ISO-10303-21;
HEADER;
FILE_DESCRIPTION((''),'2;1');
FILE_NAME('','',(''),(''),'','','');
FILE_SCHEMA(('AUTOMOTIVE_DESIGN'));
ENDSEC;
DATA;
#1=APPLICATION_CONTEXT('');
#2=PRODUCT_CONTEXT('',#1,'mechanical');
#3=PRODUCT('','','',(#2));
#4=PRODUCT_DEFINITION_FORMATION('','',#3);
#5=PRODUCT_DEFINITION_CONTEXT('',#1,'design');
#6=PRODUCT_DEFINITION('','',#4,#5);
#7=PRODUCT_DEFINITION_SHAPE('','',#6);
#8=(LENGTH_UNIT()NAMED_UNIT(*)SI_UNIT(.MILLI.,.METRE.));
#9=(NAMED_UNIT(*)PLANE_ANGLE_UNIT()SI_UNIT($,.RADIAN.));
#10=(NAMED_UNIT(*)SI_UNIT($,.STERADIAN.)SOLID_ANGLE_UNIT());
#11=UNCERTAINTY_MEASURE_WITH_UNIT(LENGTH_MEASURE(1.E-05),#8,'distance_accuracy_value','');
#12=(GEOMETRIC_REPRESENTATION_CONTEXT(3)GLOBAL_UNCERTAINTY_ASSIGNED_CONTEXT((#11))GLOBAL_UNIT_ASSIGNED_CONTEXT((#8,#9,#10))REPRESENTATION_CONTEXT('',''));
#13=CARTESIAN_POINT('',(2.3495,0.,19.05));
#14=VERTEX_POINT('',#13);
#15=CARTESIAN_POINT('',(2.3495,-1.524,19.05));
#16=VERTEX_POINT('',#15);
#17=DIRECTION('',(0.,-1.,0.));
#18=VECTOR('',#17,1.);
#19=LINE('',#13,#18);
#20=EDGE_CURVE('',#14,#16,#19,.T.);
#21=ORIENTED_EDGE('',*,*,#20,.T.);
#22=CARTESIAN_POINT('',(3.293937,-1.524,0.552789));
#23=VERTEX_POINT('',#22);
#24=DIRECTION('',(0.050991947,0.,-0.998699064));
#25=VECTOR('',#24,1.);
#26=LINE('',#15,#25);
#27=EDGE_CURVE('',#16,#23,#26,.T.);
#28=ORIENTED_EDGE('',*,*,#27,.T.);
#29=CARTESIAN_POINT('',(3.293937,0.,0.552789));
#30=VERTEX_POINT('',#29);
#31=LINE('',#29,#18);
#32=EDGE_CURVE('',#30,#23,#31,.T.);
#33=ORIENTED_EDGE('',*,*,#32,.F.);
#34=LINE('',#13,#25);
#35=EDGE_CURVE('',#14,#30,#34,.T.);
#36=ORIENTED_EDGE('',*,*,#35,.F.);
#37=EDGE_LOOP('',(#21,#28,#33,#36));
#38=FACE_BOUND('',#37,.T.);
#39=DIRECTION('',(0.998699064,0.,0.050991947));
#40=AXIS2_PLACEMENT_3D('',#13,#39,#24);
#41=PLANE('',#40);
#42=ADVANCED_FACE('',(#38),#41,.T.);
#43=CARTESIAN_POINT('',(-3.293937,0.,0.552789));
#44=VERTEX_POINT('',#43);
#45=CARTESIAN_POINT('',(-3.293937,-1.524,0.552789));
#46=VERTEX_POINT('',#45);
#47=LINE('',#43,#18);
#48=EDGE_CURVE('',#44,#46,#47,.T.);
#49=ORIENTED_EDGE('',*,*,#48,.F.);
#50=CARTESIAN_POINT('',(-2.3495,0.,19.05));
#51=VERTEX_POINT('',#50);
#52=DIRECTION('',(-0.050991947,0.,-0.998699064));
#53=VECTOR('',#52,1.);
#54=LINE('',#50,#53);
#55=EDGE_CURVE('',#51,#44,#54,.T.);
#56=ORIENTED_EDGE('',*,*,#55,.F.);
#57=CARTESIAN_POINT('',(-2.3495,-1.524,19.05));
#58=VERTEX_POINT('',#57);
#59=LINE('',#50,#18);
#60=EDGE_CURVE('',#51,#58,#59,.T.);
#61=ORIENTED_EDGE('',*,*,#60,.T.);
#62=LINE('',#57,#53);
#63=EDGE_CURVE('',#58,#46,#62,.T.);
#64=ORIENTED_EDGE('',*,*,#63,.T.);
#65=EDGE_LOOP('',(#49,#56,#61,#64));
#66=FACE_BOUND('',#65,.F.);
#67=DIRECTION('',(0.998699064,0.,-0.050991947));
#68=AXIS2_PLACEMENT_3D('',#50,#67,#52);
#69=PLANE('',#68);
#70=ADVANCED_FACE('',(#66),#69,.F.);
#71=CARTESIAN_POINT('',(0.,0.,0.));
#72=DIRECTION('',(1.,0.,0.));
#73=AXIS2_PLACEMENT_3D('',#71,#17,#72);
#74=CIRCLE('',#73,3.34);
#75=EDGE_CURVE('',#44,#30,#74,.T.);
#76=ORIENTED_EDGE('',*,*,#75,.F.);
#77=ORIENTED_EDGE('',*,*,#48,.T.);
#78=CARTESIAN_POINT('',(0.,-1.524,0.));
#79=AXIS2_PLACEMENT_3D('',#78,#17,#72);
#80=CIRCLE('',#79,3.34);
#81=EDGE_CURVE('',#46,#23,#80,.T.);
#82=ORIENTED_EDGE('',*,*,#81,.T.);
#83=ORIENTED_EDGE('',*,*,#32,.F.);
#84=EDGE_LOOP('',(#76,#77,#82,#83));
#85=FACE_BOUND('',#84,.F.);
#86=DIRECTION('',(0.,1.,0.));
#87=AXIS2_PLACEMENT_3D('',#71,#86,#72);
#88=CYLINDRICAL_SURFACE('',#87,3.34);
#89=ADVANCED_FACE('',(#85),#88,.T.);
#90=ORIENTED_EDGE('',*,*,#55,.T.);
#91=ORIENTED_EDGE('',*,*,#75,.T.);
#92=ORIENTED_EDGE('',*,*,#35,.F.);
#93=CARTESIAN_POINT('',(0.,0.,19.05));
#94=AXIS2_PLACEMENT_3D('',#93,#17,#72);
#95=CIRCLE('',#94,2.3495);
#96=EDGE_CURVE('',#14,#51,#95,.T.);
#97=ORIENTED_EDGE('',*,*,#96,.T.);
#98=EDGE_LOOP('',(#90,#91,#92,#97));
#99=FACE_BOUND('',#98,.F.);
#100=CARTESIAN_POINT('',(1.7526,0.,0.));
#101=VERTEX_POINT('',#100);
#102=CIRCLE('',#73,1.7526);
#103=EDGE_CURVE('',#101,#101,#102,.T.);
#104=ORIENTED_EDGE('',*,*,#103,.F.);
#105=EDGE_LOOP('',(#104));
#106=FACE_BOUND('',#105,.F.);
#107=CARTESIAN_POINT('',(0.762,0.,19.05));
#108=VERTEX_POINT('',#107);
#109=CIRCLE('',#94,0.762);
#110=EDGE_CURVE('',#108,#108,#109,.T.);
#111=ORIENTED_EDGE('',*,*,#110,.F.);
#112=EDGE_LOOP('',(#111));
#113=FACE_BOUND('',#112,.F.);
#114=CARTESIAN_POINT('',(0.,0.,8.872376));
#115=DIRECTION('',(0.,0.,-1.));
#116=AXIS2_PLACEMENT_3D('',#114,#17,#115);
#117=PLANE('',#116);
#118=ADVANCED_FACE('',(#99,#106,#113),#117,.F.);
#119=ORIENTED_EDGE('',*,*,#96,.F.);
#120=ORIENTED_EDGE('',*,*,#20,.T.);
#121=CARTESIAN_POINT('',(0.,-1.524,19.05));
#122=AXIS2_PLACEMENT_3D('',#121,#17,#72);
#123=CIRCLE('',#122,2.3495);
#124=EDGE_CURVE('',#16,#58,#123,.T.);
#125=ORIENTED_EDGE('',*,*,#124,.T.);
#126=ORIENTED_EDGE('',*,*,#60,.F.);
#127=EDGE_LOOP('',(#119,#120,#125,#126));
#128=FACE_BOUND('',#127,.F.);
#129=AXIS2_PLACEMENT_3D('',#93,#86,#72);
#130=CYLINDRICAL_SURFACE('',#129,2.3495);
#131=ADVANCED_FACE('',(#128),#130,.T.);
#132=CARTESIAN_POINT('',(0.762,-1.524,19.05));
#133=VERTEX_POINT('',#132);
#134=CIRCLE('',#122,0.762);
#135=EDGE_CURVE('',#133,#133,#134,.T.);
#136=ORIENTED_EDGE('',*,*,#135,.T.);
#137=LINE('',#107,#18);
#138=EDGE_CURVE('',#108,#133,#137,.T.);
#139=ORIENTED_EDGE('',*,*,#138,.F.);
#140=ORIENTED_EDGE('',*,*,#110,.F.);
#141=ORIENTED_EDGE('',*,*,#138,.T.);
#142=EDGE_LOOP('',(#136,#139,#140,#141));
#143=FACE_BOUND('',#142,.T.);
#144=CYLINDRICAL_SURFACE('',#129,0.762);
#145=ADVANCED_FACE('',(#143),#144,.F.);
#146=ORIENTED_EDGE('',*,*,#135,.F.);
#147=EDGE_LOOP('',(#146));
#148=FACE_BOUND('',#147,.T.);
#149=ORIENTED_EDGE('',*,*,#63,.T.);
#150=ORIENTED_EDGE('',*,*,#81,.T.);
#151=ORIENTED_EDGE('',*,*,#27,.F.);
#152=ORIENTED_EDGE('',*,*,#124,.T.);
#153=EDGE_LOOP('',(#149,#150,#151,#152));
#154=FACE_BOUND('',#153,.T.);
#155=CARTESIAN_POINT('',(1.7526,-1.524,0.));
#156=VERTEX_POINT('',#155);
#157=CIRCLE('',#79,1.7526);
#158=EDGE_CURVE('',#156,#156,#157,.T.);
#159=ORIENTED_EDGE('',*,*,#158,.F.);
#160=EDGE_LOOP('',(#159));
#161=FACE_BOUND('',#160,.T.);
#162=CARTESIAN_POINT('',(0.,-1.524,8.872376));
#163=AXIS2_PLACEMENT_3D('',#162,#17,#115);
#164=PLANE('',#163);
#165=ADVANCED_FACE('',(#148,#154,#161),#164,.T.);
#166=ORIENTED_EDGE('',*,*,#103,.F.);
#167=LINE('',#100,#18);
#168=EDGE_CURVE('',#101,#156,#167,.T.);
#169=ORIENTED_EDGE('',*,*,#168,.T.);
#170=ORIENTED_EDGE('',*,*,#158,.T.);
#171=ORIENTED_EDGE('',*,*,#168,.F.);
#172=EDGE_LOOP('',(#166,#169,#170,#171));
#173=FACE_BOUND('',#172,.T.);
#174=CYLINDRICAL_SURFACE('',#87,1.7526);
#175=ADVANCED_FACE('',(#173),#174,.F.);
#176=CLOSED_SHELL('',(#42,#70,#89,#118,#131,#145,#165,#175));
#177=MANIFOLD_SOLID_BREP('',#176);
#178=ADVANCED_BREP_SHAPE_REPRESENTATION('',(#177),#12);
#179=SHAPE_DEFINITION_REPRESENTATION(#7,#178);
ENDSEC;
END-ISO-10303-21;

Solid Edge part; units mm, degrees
sketch "Sketch1" plane through (0, 0, 0) normal (0, -1, 0) x (1, 0, 0)
  circle A0 centre (0, 19.05) radius 0.762
  line L0 (-2.3495, 19.05) -> (-3.294, 0.5528)
  line L1 (2.3495, 19.05) -> (3.294, 0.5528)
  arc A1 (2.3495, 19.05) -> (-2.3495, 19.05) centre (0, 19.05) ccw
  arc A2 (-3.294, 0.5528) -> (3.294, 0.5528) centre (0, 0) ccw
  circle A3 centre (0, 0) radius 1.7526
extrude "Protrusion1" add sketch "Sketch1" along normal blind 1.524
properties material "Aluminum, 6061-T6"
